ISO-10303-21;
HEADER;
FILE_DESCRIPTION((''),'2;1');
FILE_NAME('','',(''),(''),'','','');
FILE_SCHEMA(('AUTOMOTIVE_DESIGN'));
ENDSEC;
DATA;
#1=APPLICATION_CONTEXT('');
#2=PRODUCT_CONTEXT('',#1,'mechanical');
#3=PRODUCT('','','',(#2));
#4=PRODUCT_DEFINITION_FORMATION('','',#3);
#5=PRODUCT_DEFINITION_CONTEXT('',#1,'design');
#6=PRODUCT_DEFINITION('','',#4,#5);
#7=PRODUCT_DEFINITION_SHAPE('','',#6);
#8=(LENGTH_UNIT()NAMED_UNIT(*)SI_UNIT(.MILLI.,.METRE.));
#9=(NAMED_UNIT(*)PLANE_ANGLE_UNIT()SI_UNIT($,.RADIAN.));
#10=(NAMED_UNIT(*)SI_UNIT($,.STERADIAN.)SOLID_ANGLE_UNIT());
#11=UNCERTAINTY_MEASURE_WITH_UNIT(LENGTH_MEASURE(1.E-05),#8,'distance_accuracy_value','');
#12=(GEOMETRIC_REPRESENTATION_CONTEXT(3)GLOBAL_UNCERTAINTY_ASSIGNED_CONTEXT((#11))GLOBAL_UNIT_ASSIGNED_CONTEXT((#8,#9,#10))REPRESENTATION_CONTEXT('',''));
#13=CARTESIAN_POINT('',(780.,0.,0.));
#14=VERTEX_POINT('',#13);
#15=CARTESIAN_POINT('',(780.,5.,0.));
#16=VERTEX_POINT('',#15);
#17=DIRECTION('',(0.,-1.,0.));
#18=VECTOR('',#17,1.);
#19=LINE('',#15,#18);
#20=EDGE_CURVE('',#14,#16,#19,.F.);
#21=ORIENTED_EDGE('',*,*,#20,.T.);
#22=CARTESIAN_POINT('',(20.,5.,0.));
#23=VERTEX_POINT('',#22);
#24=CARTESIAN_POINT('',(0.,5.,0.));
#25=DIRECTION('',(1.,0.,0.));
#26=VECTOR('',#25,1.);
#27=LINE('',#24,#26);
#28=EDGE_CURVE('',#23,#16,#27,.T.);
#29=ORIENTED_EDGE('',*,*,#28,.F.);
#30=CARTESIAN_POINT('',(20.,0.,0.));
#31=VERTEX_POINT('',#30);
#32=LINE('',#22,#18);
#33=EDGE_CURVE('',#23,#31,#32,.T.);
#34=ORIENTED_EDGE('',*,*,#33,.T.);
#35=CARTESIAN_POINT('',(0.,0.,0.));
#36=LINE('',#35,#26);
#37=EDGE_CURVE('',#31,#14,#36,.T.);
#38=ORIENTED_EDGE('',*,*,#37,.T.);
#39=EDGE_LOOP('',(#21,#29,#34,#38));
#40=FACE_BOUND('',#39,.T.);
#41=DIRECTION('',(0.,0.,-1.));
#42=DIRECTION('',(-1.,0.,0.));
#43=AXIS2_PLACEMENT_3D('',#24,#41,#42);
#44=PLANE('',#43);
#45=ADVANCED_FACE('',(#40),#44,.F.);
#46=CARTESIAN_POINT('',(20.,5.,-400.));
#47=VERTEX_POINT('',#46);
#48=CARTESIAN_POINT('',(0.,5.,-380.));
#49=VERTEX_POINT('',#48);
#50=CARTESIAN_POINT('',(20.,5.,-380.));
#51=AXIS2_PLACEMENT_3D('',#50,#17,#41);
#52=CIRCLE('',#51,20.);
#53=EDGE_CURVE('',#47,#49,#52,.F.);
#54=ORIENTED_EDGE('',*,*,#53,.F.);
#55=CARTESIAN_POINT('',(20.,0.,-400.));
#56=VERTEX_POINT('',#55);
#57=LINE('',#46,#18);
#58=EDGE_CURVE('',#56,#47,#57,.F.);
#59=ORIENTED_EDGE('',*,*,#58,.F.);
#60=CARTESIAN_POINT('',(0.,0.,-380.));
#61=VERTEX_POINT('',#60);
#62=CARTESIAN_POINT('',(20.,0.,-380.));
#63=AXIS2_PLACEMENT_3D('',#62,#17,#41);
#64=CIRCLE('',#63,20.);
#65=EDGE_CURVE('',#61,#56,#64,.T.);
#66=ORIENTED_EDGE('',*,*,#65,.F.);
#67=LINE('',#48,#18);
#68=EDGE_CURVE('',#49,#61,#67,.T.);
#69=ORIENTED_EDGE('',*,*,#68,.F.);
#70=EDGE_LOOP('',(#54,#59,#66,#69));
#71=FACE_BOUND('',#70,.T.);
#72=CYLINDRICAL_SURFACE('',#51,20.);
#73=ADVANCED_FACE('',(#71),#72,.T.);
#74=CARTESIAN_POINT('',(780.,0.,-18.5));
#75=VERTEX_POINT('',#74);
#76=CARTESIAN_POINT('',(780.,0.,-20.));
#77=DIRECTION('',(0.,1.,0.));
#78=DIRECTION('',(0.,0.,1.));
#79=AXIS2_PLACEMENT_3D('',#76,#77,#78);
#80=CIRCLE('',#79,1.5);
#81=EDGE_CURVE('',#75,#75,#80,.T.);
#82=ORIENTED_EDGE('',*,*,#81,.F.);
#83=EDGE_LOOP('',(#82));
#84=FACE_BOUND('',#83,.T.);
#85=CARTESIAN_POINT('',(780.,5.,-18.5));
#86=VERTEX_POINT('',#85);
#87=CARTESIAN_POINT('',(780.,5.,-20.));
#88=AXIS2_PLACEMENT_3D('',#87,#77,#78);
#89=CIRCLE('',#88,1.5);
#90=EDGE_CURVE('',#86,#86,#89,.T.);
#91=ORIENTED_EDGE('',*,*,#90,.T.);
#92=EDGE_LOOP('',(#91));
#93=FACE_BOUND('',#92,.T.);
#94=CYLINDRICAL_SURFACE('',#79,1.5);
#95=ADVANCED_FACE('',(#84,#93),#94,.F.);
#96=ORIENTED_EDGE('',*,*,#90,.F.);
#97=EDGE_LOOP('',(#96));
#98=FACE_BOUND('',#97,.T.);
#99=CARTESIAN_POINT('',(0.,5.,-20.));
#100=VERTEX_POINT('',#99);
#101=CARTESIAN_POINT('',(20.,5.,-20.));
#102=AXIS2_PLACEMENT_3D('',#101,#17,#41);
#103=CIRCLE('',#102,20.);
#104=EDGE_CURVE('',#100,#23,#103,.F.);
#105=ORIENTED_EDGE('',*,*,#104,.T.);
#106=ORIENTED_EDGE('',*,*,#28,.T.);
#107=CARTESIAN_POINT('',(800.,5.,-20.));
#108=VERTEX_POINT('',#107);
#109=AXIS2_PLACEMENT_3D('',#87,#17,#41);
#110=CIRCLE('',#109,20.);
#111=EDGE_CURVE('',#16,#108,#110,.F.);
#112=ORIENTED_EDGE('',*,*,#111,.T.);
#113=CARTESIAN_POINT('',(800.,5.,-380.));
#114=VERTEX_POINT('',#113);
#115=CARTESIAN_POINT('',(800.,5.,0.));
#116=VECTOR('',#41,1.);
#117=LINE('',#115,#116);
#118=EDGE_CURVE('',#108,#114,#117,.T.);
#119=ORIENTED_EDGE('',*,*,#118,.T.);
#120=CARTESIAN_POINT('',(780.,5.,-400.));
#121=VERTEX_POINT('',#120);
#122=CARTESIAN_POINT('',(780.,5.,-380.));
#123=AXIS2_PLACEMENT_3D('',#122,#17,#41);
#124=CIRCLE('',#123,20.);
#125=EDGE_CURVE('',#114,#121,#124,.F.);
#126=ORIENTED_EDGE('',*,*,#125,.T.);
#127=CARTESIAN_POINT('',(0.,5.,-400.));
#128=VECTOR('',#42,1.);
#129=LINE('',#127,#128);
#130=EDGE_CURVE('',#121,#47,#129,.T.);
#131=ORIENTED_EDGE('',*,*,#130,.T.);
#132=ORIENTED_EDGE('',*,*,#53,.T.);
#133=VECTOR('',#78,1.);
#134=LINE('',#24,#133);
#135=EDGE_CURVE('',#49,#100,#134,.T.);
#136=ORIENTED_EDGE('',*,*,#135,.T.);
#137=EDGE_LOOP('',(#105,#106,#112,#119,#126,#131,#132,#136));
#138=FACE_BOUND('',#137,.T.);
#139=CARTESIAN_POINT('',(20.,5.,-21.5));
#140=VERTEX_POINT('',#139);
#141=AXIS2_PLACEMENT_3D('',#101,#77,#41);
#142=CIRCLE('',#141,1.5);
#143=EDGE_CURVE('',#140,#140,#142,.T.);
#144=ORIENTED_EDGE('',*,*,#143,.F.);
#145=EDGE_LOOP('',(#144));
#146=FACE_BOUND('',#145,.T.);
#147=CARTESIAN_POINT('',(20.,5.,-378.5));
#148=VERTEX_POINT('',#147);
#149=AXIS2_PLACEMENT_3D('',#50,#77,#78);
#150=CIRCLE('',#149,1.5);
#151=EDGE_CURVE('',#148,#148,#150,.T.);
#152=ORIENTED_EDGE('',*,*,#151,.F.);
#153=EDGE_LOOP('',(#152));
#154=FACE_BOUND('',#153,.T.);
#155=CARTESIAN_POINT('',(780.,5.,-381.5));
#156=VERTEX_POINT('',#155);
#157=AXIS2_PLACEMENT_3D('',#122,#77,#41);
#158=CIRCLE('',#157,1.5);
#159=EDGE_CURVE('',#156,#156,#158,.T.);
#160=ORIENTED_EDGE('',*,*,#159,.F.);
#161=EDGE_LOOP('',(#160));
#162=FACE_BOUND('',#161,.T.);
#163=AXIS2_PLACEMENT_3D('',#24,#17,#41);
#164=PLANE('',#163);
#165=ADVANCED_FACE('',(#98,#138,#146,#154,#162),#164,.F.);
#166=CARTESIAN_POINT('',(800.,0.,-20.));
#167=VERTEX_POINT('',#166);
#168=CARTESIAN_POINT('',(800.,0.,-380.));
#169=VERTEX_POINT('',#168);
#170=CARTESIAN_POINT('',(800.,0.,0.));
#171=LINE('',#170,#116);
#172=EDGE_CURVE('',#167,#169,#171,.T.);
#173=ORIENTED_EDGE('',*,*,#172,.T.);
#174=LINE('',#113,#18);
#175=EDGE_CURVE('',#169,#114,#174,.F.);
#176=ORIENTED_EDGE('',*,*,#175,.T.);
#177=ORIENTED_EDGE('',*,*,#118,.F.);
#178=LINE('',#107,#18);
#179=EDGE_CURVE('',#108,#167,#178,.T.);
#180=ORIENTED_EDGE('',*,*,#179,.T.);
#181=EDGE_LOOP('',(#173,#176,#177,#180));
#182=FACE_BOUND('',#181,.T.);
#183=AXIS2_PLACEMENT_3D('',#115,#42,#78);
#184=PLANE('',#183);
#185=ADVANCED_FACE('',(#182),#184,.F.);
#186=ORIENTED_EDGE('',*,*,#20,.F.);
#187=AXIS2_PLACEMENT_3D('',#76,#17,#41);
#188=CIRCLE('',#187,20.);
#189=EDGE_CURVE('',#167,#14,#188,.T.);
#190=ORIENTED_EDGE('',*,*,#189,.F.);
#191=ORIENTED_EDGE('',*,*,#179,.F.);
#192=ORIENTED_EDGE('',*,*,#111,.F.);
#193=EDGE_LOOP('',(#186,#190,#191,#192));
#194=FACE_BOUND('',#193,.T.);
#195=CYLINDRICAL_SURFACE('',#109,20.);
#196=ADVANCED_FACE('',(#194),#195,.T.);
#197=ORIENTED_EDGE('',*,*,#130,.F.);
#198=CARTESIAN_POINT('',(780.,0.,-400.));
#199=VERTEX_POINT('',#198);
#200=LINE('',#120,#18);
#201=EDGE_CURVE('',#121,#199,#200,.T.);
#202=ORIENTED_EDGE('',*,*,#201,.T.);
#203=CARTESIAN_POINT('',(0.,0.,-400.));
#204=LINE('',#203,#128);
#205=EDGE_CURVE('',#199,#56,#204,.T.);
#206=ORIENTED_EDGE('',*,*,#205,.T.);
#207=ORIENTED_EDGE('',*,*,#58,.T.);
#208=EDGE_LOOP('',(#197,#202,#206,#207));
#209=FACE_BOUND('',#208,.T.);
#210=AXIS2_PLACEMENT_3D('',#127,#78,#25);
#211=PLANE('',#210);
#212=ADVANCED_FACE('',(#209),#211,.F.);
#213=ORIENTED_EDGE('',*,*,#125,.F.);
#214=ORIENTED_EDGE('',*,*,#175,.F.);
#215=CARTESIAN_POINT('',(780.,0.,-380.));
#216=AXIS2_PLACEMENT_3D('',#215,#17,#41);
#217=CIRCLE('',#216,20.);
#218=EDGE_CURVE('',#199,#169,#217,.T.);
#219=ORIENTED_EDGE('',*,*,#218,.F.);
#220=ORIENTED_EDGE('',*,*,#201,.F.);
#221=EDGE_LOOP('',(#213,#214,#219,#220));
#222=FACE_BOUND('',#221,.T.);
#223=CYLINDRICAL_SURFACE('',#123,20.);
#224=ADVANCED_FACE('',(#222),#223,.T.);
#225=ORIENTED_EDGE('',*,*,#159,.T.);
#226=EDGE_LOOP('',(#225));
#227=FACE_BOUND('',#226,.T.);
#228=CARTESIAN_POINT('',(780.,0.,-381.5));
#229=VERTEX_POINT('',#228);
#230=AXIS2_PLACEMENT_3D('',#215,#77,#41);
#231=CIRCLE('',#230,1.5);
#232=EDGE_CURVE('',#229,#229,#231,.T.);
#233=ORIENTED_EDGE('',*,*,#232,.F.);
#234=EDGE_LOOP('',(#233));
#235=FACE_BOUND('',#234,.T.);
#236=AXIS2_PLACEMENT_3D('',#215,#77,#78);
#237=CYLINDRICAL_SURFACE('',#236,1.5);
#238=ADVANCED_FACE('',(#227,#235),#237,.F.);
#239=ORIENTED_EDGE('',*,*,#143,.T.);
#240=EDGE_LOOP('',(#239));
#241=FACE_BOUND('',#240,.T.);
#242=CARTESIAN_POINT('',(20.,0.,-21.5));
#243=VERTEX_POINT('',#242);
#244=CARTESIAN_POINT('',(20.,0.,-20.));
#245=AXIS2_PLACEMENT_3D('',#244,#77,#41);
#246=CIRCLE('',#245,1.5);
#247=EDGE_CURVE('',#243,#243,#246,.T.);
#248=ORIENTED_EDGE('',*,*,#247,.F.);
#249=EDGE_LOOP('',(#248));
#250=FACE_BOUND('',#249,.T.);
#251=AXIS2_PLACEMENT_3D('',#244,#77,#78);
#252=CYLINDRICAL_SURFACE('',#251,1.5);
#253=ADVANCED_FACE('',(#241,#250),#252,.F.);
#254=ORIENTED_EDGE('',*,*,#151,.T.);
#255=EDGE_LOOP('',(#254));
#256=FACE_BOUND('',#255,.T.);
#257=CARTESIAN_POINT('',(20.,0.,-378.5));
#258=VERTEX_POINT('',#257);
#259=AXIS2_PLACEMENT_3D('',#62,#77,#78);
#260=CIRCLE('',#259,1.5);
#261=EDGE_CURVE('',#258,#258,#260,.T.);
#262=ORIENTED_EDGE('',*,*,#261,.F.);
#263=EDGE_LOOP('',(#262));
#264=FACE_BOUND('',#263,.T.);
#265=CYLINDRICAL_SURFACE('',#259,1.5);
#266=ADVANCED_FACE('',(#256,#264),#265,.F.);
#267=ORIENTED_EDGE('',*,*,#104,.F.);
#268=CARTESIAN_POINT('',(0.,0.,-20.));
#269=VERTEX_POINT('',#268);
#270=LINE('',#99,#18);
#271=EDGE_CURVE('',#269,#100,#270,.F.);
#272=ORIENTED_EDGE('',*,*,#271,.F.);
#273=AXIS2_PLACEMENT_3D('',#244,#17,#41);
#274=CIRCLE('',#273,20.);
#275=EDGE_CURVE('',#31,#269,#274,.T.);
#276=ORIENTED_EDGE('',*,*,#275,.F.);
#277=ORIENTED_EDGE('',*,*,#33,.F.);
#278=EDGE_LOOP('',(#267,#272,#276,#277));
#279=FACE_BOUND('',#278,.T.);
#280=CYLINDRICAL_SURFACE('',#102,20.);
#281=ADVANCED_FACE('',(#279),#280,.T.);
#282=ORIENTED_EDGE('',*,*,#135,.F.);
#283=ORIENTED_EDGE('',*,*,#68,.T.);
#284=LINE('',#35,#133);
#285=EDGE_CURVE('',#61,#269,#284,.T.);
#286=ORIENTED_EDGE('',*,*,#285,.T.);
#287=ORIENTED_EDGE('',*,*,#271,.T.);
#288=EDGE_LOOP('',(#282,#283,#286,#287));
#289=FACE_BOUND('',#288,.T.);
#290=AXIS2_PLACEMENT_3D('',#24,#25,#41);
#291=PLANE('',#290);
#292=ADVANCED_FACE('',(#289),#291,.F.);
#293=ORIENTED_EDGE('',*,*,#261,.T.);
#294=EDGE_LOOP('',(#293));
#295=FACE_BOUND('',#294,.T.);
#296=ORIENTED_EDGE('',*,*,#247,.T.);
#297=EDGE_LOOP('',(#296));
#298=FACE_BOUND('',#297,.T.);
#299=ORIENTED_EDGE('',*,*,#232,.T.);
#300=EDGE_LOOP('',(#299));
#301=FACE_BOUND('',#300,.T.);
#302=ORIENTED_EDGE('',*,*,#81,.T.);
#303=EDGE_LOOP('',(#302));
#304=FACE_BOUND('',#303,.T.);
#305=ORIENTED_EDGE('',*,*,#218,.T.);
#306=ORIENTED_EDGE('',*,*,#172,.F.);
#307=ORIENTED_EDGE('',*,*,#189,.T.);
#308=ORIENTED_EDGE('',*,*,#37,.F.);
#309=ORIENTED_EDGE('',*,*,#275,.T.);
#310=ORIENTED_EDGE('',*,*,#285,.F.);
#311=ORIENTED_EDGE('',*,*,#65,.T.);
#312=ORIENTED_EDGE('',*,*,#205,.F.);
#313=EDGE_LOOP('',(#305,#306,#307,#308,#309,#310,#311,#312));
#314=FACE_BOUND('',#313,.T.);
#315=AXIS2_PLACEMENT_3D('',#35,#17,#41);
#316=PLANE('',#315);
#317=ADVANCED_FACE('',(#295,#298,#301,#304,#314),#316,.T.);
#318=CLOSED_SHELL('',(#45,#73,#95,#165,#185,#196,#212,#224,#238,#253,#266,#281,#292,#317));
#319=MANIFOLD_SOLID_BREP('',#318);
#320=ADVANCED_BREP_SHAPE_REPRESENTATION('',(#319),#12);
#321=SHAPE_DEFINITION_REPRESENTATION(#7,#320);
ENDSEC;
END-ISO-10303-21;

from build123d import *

# Parameters (mm, degrees)
SKETCH1_W           = 800
SKETCH1_H           = 400
BOSS_EXTRUDE1_DEPTH = 5
FILLET1_R           = 20
SKETCH2_R           = 1.5
CUT_EXTRUDE1_DEPTH  = 895.441166316


with BuildPart() as part:
    # Sketch1 → Boss-Extrude1 (new body)
    with BuildSketch(Plane(origin=(0, 0, 0), x_dir=(1, 0, 0), z_dir=(0, 1, 0))):
        with Locations((400, 200)):
            Rectangle(SKETCH1_W, SKETCH1_H)
    extrude(amount=BOSS_EXTRUDE1_DEPTH)

    # Fillet1
    fillet1_edges = [part.edges().sort_by_distance(p)[0] for p in [
        (0, 2.5, -400),
        (800, 2.5, -400),
        (800, 2.5, 0),
        (0, 2.5, 0),
    ]]
    fillet(fillet1_edges, radius=FILLET1_R)

    # Sketch2 → Cut-Extrude1 (cut, through all)
    with BuildSketch(Plane(origin=(0, 5, 0), x_dir=(1, 0, 0), z_dir=(0, 1, 0))):
        with Locations(Location((20, 380, 0), (0, 0, 270))):
            Circle(SKETCH2_R)
        with Locations(Location((780, 380, 0), (0, 0, 90))):
            Circle(SKETCH2_R)
        with Locations(Location((780, 20, 0), (0, 0, 270))):
            Circle(SKETCH2_R)
        with Locations(Location((20, 20, 0), (0, 0, 90))):
            Circle(SKETCH2_R)
    extrude(amount=-CUT_EXTRUDE1_DEPTH, mode=Mode.SUBTRACT)


solid = part.part
